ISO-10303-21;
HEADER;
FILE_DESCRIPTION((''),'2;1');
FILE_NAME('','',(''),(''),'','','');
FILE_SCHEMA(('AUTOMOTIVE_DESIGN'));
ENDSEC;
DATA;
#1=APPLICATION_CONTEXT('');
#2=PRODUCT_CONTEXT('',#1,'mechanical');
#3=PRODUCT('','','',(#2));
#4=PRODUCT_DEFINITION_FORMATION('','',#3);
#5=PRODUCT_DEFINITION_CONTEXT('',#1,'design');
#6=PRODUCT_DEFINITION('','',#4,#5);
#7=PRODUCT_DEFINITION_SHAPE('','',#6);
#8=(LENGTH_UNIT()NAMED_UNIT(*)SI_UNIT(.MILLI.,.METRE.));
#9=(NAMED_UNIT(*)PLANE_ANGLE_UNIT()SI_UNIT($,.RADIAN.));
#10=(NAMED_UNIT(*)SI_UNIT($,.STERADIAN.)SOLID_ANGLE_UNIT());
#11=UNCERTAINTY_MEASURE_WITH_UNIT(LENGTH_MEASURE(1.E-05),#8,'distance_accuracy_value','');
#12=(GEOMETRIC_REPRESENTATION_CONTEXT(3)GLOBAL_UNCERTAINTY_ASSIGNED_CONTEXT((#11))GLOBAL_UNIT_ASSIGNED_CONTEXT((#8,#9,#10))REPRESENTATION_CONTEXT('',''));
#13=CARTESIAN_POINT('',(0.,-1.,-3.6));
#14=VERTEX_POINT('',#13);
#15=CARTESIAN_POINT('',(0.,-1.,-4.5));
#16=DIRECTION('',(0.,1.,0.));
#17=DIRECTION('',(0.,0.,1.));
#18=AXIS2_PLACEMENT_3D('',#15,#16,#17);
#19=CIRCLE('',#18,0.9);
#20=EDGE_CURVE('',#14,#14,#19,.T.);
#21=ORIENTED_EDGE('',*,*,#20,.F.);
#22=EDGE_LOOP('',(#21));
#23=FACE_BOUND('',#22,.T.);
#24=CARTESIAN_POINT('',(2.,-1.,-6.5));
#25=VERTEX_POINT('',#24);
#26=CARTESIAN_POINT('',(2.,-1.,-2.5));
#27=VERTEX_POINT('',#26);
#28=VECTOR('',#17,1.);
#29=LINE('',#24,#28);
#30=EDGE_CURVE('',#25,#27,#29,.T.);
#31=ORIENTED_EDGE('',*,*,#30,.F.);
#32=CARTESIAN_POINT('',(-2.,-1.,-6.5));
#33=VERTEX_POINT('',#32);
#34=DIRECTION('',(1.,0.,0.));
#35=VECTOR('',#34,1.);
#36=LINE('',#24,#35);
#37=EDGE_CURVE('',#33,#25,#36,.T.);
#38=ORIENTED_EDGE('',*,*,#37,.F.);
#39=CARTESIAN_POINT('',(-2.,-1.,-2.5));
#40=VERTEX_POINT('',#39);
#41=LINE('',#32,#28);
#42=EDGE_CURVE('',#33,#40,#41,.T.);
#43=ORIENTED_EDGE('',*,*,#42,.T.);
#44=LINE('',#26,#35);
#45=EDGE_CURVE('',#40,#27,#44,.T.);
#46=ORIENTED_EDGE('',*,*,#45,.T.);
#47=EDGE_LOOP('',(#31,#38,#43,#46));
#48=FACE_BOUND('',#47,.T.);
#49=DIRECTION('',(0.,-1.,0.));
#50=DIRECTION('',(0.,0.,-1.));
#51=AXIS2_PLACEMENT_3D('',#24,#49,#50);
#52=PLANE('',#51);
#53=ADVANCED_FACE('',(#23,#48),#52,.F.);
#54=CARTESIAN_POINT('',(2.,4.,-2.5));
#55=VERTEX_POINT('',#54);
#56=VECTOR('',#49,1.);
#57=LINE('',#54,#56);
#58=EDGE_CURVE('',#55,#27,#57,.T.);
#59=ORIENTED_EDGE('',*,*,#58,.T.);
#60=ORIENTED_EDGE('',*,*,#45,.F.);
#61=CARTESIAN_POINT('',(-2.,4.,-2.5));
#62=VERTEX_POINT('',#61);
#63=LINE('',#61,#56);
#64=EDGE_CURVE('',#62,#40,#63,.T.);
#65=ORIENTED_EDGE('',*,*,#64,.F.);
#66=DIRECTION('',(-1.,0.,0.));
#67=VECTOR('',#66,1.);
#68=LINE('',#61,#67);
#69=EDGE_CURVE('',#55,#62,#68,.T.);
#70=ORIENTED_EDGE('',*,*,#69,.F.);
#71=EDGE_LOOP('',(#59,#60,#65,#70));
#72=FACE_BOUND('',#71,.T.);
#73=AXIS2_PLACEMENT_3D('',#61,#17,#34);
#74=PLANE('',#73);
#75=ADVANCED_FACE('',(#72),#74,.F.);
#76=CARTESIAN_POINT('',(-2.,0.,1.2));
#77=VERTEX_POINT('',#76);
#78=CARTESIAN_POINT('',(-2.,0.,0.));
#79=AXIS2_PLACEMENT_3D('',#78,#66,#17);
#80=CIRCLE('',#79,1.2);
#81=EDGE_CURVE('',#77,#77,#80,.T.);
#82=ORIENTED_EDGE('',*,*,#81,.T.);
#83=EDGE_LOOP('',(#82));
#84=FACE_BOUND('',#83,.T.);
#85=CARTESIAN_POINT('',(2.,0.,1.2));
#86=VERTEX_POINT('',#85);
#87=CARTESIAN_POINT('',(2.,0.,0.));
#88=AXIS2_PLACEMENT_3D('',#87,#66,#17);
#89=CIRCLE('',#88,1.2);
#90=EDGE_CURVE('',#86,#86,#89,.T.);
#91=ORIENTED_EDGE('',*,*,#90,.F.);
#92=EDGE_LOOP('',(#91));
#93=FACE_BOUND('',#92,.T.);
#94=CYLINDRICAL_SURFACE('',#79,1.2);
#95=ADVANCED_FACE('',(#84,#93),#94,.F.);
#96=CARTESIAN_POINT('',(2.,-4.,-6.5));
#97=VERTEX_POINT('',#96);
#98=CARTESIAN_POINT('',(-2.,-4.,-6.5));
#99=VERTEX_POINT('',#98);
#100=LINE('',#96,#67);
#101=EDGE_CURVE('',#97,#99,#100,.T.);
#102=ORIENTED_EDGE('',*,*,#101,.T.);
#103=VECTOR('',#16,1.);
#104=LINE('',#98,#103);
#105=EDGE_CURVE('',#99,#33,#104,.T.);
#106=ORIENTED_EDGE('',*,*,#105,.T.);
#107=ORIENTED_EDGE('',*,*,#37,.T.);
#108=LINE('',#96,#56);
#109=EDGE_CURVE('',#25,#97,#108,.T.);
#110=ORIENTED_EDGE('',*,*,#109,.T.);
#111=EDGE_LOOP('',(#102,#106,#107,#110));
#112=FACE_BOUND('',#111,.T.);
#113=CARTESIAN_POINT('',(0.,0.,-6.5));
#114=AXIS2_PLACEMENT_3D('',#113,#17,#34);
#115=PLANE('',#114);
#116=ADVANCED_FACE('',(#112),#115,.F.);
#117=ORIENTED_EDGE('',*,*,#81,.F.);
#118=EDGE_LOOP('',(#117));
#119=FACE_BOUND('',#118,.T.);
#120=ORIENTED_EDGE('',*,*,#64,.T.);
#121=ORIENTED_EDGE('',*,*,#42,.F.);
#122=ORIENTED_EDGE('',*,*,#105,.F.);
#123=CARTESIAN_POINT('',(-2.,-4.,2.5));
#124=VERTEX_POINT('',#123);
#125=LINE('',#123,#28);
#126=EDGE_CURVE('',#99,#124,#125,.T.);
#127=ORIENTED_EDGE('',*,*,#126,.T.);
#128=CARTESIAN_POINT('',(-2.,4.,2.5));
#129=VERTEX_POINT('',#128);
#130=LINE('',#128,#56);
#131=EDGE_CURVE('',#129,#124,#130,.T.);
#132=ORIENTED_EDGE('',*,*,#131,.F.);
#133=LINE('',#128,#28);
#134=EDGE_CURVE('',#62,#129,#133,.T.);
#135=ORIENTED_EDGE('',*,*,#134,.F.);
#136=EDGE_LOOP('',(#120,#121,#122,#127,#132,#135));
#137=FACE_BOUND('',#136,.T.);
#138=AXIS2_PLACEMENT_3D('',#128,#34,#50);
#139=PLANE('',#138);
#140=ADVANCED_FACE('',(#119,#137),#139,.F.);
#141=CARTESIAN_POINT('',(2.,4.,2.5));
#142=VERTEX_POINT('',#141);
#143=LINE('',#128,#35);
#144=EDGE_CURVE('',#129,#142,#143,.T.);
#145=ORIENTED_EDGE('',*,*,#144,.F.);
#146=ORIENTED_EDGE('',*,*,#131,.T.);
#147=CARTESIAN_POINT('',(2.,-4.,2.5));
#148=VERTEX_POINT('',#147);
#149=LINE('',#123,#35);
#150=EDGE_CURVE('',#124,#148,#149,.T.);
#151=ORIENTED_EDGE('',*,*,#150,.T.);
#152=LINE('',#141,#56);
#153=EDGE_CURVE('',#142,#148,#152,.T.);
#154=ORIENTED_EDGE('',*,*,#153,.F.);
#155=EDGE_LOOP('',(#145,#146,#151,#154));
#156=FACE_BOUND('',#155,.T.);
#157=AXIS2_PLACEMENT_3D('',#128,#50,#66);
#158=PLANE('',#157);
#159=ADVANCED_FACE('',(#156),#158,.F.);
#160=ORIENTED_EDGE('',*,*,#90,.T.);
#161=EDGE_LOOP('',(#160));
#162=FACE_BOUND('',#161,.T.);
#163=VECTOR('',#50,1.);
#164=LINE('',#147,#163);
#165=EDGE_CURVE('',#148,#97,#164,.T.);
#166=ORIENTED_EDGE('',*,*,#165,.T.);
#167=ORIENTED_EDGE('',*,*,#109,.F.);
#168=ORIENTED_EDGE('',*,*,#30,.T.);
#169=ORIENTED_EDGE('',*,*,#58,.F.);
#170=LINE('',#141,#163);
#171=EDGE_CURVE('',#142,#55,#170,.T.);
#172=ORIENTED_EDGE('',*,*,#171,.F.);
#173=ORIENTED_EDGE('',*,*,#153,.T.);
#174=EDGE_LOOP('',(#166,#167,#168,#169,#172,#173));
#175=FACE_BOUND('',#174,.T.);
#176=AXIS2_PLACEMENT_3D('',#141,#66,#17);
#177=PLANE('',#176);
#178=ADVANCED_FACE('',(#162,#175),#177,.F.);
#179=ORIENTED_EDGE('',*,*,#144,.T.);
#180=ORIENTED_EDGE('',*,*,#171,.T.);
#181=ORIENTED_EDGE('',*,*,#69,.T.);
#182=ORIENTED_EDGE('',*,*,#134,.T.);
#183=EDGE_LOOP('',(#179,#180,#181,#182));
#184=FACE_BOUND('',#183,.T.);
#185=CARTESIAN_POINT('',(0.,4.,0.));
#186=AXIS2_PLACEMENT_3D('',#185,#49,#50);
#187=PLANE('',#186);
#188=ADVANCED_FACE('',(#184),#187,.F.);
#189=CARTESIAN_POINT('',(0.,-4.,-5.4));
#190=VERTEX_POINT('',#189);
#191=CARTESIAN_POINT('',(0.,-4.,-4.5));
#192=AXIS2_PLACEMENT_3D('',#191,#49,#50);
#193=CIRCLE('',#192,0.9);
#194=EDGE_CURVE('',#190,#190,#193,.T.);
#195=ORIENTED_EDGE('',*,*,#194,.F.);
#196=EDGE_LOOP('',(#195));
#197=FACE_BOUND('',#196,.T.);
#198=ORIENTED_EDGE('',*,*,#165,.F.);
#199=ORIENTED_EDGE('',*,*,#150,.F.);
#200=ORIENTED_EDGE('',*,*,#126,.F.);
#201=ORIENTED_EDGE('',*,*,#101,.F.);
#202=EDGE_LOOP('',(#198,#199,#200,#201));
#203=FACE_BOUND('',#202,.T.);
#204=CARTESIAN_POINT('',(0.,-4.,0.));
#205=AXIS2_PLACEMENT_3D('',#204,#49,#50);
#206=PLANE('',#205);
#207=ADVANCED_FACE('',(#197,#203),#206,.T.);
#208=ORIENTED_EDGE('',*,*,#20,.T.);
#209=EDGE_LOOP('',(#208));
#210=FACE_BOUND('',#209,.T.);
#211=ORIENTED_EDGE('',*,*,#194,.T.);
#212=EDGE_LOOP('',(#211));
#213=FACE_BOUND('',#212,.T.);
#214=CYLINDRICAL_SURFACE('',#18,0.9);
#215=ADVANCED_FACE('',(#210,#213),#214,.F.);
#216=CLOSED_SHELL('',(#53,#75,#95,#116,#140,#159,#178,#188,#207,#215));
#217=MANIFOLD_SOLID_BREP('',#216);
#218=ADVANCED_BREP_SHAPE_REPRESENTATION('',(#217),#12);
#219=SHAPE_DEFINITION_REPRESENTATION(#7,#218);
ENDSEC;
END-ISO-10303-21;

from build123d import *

# Parameters (mm, degrees)
SKETCH1_W                  = 4
SKETCH1_H                  = 5
BOSS_EXTRUDE1_DEPTH        = 4
SKETCH2_W                  = 4
SKETCH2_H                  = 3
BOSS_EXTRUDE2_DEPTH        = 4
M1_6_CLEARANCE_HOLE1_D     = 1.8
M1_6_CLEARANCE_HOLE1_DEPTH = 4
M1_6_CLEARANCE_HOLE1_TIP   = 0.540774557
M2_CLEARANCE_HOLE1_D       = 2.4
M2_CLEARANCE_HOLE1_DEPTH   = 4
M2_CLEARANCE_HOLE1_TIP     = 0.721032743


with BuildPart() as part:
    # Sketch1 → Boss-Extrude1 (new, symmetric)
    with BuildSketch(Plane(origin=(0, 0, 0), x_dir=(1, 0, 0), z_dir=(0, 1, 0))):
        Rectangle(SKETCH1_W, SKETCH1_H)
    extrude(amount=BOSS_EXTRUDE1_DEPTH, both=True)

    # Sketch2 → Boss-Extrude2 (add)
    with BuildSketch(Plane(origin=(0, 0, -2.5), x_dir=(-1, 0, 0), z_dir=(0, 0, -1))):
        with Locations((0, -2.5)):
            Rectangle(SKETCH2_W, SKETCH2_H)
    extrude(amount=BOSS_EXTRUDE2_DEPTH)

    # M1.6 Clearance Hole1
    with Locations(Plane(origin=(0, -1, 0), x_dir=(1, 0, 0), z_dir=(0, 1, 0))):
        with Locations((0, 4.5)):
            Hole(M1_6_CLEARANCE_HOLE1_D / 2, depth=M1_6_CLEARANCE_HOLE1_DEPTH)
            with Locations((0, 0, -(M1_6_CLEARANCE_HOLE1_DEPTH + M1_6_CLEARANCE_HOLE1_TIP / 2))):  # 118° drill point
                Cone(0, M1_6_CLEARANCE_HOLE1_D / 2, M1_6_CLEARANCE_HOLE1_TIP, mode=Mode.SUBTRACT)

    # M2 Clearance Hole1
    with Locations(Plane.ZY.offset(2)):
        with Locations((0, 0)):
            Hole(M2_CLEARANCE_HOLE1_D / 2, depth=M2_CLEARANCE_HOLE1_DEPTH)
            with Locations((0, 0, -(M2_CLEARANCE_HOLE1_DEPTH + M2_CLEARANCE_HOLE1_TIP / 2))):  # 118° drill point
                Cone(0, M2_CLEARANCE_HOLE1_D / 2, M2_CLEARANCE_HOLE1_TIP, mode=Mode.SUBTRACT)


solid = part.part
